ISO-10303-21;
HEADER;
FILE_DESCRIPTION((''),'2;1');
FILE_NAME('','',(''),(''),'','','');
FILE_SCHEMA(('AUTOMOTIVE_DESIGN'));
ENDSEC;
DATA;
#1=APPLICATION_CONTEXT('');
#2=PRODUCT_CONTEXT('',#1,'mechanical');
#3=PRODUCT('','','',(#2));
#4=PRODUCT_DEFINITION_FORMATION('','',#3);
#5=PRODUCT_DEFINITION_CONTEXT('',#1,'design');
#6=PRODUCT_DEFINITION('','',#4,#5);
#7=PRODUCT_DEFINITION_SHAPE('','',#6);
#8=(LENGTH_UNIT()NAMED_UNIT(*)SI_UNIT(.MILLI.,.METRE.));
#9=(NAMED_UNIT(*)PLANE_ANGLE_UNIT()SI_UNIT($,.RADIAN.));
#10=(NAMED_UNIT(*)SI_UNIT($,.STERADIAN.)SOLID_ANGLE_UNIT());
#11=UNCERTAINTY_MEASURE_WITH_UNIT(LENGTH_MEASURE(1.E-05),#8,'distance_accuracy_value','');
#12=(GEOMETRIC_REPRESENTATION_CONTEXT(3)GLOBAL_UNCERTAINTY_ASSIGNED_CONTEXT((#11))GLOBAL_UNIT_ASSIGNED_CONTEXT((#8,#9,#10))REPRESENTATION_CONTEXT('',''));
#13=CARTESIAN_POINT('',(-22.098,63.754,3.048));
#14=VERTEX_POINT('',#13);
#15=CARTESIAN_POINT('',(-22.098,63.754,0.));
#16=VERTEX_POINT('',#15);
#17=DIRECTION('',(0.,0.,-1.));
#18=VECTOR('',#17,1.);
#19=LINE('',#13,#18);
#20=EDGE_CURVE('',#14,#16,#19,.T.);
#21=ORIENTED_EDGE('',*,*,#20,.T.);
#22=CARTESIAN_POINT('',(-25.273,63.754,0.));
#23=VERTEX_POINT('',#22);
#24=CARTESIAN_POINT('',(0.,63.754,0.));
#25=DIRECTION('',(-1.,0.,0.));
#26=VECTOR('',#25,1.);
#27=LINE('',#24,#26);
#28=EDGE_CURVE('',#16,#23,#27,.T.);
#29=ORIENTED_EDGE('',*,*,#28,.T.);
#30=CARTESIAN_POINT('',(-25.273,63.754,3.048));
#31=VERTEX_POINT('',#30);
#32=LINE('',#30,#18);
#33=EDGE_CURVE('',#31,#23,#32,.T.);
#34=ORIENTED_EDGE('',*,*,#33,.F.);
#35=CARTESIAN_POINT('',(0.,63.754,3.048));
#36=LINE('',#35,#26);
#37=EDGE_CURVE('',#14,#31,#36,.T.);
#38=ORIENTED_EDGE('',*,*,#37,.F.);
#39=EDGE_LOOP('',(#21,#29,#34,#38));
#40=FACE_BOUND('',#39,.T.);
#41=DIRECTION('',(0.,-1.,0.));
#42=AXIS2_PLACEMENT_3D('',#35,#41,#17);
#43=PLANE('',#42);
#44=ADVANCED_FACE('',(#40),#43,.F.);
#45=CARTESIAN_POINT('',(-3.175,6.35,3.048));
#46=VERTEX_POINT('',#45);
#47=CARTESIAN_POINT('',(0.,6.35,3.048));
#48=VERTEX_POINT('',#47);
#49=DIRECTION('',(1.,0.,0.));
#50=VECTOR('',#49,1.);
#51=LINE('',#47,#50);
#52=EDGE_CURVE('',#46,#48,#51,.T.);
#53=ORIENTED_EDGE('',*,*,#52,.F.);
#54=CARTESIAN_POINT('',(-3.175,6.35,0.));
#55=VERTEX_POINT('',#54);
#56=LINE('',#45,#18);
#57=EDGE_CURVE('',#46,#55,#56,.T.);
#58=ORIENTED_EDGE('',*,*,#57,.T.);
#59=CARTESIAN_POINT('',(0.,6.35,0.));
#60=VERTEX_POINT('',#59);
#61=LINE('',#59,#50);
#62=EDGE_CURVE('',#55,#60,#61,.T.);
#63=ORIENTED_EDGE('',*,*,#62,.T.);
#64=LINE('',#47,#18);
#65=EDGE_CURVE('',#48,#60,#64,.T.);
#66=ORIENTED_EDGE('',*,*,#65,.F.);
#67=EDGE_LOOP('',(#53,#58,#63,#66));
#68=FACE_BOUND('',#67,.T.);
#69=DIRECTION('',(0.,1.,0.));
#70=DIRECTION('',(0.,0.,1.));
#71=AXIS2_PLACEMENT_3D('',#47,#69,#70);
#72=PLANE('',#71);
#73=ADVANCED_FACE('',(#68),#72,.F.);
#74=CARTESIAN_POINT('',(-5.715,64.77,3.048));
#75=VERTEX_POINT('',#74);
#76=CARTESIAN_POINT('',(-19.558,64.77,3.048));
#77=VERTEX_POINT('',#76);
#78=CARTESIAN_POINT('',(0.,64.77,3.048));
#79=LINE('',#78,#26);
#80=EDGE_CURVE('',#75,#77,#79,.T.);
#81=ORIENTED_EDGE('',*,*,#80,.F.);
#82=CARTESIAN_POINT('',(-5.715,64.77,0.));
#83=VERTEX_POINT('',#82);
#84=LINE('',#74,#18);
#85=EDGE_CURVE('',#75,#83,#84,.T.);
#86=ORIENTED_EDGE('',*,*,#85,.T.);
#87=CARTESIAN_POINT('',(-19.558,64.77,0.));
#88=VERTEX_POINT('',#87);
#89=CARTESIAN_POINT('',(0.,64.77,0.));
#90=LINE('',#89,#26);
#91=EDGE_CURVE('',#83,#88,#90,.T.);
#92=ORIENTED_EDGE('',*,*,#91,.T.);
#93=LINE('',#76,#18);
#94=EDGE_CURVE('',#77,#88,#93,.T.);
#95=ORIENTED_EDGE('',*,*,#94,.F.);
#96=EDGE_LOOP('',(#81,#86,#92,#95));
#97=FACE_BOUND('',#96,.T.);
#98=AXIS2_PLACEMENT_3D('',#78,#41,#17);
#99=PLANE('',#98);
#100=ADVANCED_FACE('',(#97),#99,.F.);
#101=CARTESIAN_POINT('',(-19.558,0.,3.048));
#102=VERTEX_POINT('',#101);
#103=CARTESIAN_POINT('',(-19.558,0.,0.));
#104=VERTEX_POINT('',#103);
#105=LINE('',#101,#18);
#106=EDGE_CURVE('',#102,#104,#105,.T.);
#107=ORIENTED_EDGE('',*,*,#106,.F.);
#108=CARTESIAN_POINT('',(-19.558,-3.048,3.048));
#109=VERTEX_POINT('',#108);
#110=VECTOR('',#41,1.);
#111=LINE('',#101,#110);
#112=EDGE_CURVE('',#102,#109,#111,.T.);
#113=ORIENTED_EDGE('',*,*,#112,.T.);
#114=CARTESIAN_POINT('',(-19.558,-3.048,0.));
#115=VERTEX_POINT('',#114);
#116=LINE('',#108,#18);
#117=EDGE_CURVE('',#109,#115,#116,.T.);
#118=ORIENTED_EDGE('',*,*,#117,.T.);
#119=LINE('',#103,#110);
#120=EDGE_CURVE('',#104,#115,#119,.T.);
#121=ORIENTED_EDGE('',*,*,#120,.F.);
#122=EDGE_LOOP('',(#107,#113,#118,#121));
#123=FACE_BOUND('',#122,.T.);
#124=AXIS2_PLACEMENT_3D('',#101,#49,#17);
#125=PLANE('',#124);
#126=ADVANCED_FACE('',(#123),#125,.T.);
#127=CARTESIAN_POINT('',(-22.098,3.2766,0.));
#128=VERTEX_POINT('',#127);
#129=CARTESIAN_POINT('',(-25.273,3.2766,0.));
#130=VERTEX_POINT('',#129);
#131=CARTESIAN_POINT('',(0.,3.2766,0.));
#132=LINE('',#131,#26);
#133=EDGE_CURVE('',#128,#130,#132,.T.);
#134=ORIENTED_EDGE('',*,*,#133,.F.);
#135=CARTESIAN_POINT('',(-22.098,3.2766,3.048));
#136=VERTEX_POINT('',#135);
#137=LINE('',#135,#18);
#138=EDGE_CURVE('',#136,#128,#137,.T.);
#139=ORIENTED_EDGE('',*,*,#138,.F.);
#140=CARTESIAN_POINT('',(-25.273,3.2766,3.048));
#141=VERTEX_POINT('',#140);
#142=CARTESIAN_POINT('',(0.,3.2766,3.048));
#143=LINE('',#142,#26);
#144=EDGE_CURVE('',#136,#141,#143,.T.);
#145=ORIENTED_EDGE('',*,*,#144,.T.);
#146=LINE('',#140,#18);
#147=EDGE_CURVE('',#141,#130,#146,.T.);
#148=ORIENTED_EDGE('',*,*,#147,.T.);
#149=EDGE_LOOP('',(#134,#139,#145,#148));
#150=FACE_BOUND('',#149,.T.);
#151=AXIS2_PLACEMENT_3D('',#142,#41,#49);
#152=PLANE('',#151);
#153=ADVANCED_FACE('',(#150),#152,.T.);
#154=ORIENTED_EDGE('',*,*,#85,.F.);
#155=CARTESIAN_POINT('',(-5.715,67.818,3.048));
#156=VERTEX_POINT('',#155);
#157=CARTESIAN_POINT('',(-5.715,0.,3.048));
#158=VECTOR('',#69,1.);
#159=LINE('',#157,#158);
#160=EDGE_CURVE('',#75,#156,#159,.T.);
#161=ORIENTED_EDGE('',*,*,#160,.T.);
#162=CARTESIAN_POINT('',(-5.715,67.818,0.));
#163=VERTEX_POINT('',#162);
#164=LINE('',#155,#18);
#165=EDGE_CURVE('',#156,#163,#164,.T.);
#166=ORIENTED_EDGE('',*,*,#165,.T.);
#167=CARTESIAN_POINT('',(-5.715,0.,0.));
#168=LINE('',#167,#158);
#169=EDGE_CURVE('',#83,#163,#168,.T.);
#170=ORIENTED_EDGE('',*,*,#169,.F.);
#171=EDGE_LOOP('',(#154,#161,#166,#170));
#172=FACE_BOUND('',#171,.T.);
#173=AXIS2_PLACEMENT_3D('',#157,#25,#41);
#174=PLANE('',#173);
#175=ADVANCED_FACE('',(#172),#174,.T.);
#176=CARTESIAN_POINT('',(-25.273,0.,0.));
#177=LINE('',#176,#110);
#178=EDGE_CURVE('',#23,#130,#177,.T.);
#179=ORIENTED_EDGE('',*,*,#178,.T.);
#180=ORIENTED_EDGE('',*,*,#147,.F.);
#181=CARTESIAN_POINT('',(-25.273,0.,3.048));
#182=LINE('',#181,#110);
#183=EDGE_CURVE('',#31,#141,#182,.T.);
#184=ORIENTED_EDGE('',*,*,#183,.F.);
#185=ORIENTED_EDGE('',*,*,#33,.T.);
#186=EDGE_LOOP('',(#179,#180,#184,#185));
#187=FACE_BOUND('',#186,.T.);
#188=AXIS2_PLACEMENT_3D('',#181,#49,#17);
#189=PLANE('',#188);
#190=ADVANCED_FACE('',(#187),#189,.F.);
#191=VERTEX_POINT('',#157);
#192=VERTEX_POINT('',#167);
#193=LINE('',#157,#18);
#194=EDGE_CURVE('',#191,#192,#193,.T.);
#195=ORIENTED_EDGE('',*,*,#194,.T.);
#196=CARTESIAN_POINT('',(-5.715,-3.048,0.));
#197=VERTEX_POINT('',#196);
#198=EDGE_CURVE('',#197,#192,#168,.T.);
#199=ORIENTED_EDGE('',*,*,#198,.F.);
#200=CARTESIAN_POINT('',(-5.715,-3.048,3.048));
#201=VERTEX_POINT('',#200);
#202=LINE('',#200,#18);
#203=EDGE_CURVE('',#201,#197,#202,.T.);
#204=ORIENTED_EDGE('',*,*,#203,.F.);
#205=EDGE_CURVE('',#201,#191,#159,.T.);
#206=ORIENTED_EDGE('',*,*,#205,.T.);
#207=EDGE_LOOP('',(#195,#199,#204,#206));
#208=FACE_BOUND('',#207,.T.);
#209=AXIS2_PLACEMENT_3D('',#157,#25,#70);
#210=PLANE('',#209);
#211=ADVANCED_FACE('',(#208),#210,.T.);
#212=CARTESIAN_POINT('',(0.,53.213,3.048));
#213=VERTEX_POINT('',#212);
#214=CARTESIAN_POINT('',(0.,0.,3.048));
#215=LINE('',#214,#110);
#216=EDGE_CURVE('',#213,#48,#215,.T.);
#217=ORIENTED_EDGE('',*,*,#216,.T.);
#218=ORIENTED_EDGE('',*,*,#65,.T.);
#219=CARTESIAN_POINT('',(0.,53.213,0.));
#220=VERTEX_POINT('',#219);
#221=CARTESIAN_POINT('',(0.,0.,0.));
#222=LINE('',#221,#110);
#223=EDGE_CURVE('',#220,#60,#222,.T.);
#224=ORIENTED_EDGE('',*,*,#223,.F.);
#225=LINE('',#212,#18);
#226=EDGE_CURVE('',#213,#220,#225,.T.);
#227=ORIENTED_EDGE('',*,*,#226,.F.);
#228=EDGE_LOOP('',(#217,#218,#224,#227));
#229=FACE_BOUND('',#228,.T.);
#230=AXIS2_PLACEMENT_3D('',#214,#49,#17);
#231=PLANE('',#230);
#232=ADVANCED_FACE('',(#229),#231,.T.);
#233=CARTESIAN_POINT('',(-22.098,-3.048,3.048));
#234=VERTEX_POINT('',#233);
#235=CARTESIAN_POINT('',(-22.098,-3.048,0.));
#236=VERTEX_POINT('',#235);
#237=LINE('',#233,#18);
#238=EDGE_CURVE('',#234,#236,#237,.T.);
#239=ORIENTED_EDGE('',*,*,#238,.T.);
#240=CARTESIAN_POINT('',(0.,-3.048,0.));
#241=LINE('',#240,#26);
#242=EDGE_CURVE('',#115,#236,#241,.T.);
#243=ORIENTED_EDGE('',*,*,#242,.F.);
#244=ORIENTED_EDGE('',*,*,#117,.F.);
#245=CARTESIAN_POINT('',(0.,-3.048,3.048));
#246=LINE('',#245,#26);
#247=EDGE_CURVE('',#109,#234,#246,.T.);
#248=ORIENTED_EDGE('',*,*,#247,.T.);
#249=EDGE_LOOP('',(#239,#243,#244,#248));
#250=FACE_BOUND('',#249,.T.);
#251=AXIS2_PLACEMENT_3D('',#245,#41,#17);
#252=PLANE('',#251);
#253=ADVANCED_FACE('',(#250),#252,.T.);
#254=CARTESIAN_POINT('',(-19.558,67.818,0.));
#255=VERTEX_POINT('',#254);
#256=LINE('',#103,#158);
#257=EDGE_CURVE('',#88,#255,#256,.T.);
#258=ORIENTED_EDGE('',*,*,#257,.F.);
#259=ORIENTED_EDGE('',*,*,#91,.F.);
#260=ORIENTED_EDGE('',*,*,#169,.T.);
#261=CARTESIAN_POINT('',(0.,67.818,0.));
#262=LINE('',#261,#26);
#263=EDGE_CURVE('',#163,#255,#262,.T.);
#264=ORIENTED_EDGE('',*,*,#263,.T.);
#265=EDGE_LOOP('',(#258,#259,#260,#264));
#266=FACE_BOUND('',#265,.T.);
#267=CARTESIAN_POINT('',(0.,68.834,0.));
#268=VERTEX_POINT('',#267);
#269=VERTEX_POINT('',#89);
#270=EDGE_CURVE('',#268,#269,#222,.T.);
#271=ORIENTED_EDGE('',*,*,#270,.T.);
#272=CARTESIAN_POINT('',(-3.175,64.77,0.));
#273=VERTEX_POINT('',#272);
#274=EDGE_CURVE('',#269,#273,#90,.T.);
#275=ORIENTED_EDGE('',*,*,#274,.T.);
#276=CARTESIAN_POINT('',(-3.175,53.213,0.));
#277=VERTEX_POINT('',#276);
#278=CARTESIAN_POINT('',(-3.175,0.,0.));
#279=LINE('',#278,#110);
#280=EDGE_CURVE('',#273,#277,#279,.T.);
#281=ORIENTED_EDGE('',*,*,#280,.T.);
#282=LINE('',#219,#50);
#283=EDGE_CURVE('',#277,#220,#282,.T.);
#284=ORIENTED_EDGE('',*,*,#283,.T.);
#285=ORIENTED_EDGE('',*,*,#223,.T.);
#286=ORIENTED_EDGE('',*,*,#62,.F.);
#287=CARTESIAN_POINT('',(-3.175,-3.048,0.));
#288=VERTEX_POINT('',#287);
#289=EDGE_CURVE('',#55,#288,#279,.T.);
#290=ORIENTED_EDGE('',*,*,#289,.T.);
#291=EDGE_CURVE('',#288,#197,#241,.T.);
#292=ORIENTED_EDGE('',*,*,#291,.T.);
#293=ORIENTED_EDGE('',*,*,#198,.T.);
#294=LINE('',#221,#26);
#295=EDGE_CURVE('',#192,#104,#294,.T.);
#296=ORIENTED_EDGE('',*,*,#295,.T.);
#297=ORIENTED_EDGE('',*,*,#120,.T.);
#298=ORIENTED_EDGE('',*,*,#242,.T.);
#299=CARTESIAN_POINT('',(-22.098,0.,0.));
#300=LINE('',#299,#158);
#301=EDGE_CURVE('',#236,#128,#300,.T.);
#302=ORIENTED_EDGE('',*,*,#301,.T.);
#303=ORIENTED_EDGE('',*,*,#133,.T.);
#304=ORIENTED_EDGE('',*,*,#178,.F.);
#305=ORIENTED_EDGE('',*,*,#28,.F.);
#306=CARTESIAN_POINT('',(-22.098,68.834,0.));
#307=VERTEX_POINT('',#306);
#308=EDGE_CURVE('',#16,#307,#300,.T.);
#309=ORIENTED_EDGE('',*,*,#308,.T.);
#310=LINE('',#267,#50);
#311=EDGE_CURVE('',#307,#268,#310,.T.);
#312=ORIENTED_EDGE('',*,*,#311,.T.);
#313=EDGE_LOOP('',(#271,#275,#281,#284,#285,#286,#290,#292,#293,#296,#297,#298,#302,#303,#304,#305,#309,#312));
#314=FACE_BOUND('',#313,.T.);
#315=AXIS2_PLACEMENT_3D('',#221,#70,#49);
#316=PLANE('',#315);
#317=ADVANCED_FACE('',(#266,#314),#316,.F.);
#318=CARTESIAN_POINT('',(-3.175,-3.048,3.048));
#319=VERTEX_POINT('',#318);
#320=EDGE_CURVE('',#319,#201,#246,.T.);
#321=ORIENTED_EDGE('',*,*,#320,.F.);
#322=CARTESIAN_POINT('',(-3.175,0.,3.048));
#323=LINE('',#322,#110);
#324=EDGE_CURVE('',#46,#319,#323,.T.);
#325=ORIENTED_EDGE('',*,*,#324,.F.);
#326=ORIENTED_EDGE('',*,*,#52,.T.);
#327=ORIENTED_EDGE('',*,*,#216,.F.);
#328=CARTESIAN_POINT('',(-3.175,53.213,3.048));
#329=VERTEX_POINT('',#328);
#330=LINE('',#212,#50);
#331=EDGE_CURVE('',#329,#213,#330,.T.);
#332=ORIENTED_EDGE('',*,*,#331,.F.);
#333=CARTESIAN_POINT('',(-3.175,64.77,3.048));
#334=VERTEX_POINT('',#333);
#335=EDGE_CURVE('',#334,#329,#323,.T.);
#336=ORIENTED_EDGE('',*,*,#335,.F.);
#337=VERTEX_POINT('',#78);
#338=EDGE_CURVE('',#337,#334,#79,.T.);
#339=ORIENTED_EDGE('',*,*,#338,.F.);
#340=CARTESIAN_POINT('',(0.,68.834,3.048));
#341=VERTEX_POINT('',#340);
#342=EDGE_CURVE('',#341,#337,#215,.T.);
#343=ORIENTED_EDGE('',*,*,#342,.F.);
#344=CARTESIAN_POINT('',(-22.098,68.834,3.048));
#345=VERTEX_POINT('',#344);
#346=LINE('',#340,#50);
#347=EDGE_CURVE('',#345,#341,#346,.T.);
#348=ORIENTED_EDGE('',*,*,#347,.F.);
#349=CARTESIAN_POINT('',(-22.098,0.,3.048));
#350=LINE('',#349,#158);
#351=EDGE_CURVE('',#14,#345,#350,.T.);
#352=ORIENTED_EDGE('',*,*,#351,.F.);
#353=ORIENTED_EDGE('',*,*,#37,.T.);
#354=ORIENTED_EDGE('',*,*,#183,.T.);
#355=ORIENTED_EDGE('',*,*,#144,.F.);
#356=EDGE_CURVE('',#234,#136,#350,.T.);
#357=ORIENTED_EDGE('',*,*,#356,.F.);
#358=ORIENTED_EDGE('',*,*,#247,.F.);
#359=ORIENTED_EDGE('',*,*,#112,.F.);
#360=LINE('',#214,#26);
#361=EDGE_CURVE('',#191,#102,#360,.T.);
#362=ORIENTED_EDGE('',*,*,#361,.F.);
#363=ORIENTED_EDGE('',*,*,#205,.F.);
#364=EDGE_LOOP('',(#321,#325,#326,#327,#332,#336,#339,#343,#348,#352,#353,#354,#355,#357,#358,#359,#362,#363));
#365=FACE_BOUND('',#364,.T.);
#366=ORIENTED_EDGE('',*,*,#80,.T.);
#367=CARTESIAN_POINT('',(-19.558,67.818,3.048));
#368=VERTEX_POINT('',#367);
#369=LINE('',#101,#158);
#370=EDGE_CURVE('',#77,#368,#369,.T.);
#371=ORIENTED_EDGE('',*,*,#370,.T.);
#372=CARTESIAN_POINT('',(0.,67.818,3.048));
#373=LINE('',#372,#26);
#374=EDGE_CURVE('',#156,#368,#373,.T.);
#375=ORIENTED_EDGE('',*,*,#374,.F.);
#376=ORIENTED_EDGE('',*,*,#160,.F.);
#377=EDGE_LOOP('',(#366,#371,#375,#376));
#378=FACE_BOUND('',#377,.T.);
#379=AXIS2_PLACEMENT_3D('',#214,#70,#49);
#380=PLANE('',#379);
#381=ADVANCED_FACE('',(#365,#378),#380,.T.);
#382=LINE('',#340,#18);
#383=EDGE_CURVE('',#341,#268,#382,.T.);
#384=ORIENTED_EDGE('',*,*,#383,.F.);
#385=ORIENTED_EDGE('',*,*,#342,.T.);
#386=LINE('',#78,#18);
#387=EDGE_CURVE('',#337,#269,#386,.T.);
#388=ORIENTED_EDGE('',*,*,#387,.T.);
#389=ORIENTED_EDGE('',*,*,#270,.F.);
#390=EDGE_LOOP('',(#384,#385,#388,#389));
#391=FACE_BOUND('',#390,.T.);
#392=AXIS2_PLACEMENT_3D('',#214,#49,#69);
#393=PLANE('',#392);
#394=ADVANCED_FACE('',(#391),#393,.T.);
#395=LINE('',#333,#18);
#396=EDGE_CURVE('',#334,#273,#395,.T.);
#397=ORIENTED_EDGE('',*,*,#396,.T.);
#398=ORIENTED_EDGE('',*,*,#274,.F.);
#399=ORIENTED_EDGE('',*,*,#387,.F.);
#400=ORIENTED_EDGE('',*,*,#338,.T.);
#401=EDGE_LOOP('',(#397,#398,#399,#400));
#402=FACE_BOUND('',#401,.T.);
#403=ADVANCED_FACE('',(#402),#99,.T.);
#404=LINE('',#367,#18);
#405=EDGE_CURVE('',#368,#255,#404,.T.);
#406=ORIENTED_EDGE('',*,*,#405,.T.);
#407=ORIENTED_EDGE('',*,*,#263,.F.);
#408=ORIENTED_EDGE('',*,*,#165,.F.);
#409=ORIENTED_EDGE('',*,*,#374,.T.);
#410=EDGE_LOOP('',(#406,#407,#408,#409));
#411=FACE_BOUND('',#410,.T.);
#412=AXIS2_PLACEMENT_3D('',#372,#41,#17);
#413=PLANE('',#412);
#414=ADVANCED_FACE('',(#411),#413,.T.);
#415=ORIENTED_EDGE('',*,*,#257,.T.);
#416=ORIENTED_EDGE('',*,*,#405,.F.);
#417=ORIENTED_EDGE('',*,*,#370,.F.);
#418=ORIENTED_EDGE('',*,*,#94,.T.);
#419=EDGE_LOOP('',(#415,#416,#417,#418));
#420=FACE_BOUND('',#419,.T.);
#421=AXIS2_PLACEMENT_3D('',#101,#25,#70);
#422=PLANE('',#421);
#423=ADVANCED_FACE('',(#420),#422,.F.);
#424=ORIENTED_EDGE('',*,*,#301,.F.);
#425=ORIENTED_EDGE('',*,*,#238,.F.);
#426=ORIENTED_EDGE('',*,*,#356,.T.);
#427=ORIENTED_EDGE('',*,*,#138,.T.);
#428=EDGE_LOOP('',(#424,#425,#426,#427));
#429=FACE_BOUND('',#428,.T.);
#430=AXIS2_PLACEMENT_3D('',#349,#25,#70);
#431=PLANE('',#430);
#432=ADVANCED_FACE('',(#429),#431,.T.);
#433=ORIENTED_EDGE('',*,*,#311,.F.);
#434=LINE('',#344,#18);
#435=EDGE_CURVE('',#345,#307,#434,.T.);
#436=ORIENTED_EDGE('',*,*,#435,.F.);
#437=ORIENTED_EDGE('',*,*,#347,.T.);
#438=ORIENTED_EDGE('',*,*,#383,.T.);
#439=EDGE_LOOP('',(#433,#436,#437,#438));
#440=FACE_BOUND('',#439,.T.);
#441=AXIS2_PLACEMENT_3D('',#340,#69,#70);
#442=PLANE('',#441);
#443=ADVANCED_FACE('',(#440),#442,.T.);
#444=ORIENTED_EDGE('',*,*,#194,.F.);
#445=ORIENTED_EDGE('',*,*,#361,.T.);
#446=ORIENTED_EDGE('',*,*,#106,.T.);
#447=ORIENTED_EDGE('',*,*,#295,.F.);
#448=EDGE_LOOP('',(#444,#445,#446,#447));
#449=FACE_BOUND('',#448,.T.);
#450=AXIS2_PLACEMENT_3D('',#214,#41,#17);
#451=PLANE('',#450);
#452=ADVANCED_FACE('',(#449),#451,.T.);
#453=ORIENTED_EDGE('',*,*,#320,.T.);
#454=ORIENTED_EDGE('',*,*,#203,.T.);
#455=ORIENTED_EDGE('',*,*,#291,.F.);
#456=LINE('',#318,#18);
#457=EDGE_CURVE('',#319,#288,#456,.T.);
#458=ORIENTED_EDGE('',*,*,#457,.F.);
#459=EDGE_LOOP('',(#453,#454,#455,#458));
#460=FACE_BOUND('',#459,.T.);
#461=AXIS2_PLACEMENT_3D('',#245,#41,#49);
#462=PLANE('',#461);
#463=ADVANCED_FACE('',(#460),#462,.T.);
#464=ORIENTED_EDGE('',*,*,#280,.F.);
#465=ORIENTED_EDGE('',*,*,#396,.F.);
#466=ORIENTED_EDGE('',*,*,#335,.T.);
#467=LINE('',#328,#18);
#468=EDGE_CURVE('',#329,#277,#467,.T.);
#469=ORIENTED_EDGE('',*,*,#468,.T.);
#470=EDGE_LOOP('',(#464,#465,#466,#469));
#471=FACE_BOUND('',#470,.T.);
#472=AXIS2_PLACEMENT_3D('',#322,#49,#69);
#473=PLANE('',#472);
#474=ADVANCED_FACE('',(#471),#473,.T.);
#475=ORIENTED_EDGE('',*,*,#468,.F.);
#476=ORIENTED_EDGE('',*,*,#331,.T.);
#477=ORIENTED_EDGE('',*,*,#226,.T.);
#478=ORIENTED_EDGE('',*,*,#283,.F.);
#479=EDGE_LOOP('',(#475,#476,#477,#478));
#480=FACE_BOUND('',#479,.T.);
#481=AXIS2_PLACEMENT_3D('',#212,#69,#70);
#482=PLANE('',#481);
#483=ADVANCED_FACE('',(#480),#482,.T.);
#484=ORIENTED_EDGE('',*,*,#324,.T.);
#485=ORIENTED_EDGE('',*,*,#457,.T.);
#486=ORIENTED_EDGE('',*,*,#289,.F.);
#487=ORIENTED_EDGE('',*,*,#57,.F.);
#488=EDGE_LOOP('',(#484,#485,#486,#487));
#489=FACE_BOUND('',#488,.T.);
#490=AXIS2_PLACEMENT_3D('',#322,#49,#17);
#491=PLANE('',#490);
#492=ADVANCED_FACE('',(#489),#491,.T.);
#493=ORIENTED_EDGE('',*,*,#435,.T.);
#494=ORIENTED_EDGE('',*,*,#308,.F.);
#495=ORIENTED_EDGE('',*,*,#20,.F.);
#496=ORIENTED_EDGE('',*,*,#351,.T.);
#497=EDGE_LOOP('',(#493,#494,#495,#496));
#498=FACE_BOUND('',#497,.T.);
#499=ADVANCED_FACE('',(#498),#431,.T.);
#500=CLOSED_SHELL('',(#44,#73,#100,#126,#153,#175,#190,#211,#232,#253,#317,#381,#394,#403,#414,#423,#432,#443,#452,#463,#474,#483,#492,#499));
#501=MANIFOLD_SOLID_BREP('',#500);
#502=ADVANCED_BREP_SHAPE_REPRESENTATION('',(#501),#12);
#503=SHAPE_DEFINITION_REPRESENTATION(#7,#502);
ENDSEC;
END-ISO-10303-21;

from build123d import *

# Parameters (mm, degrees)
SKETCH1_W           = 13.843
SKETCH1_H           = 3.048
SKETCH1_W_2         = 3.175
SKETCH1_H_2         = 0.381
BOSS_EXTRUDE1_DEPTH = 3.048


with BuildPart() as part:
    # Sketch1 → Boss-Extrude1 (new body)
    with BuildSketch(Plane.XY):
        Polygon((-3.175, 6.731), (0, 6.731), (0, 53.213), (-3.175, 53.213), (-3.175, 64.77), (0, 64.77), (0, 68.834), (-22.098, 68.834), (-22.098, 63.754), (-25.273, 63.754), (-25.273, 3.2766), (-22.098, 3.2766), (-22.098, -3.048), (-19.558, -3.048), (-19.558, 0), (-5.715, 0), (-5.715, -3.048), (-3.175, -3.048), (-3.175, 6.35), align=None)
        with Locations((-12.6365, 66.294)):
            Rectangle(SKETCH1_W, SKETCH1_H, mode=Mode.SUBTRACT)
        with Locations((-1.5875, 6.5405)):
            Rectangle(SKETCH1_W_2, SKETCH1_H_2)
    extrude(amount=BOSS_EXTRUDE1_DEPTH)


solid = part.part
